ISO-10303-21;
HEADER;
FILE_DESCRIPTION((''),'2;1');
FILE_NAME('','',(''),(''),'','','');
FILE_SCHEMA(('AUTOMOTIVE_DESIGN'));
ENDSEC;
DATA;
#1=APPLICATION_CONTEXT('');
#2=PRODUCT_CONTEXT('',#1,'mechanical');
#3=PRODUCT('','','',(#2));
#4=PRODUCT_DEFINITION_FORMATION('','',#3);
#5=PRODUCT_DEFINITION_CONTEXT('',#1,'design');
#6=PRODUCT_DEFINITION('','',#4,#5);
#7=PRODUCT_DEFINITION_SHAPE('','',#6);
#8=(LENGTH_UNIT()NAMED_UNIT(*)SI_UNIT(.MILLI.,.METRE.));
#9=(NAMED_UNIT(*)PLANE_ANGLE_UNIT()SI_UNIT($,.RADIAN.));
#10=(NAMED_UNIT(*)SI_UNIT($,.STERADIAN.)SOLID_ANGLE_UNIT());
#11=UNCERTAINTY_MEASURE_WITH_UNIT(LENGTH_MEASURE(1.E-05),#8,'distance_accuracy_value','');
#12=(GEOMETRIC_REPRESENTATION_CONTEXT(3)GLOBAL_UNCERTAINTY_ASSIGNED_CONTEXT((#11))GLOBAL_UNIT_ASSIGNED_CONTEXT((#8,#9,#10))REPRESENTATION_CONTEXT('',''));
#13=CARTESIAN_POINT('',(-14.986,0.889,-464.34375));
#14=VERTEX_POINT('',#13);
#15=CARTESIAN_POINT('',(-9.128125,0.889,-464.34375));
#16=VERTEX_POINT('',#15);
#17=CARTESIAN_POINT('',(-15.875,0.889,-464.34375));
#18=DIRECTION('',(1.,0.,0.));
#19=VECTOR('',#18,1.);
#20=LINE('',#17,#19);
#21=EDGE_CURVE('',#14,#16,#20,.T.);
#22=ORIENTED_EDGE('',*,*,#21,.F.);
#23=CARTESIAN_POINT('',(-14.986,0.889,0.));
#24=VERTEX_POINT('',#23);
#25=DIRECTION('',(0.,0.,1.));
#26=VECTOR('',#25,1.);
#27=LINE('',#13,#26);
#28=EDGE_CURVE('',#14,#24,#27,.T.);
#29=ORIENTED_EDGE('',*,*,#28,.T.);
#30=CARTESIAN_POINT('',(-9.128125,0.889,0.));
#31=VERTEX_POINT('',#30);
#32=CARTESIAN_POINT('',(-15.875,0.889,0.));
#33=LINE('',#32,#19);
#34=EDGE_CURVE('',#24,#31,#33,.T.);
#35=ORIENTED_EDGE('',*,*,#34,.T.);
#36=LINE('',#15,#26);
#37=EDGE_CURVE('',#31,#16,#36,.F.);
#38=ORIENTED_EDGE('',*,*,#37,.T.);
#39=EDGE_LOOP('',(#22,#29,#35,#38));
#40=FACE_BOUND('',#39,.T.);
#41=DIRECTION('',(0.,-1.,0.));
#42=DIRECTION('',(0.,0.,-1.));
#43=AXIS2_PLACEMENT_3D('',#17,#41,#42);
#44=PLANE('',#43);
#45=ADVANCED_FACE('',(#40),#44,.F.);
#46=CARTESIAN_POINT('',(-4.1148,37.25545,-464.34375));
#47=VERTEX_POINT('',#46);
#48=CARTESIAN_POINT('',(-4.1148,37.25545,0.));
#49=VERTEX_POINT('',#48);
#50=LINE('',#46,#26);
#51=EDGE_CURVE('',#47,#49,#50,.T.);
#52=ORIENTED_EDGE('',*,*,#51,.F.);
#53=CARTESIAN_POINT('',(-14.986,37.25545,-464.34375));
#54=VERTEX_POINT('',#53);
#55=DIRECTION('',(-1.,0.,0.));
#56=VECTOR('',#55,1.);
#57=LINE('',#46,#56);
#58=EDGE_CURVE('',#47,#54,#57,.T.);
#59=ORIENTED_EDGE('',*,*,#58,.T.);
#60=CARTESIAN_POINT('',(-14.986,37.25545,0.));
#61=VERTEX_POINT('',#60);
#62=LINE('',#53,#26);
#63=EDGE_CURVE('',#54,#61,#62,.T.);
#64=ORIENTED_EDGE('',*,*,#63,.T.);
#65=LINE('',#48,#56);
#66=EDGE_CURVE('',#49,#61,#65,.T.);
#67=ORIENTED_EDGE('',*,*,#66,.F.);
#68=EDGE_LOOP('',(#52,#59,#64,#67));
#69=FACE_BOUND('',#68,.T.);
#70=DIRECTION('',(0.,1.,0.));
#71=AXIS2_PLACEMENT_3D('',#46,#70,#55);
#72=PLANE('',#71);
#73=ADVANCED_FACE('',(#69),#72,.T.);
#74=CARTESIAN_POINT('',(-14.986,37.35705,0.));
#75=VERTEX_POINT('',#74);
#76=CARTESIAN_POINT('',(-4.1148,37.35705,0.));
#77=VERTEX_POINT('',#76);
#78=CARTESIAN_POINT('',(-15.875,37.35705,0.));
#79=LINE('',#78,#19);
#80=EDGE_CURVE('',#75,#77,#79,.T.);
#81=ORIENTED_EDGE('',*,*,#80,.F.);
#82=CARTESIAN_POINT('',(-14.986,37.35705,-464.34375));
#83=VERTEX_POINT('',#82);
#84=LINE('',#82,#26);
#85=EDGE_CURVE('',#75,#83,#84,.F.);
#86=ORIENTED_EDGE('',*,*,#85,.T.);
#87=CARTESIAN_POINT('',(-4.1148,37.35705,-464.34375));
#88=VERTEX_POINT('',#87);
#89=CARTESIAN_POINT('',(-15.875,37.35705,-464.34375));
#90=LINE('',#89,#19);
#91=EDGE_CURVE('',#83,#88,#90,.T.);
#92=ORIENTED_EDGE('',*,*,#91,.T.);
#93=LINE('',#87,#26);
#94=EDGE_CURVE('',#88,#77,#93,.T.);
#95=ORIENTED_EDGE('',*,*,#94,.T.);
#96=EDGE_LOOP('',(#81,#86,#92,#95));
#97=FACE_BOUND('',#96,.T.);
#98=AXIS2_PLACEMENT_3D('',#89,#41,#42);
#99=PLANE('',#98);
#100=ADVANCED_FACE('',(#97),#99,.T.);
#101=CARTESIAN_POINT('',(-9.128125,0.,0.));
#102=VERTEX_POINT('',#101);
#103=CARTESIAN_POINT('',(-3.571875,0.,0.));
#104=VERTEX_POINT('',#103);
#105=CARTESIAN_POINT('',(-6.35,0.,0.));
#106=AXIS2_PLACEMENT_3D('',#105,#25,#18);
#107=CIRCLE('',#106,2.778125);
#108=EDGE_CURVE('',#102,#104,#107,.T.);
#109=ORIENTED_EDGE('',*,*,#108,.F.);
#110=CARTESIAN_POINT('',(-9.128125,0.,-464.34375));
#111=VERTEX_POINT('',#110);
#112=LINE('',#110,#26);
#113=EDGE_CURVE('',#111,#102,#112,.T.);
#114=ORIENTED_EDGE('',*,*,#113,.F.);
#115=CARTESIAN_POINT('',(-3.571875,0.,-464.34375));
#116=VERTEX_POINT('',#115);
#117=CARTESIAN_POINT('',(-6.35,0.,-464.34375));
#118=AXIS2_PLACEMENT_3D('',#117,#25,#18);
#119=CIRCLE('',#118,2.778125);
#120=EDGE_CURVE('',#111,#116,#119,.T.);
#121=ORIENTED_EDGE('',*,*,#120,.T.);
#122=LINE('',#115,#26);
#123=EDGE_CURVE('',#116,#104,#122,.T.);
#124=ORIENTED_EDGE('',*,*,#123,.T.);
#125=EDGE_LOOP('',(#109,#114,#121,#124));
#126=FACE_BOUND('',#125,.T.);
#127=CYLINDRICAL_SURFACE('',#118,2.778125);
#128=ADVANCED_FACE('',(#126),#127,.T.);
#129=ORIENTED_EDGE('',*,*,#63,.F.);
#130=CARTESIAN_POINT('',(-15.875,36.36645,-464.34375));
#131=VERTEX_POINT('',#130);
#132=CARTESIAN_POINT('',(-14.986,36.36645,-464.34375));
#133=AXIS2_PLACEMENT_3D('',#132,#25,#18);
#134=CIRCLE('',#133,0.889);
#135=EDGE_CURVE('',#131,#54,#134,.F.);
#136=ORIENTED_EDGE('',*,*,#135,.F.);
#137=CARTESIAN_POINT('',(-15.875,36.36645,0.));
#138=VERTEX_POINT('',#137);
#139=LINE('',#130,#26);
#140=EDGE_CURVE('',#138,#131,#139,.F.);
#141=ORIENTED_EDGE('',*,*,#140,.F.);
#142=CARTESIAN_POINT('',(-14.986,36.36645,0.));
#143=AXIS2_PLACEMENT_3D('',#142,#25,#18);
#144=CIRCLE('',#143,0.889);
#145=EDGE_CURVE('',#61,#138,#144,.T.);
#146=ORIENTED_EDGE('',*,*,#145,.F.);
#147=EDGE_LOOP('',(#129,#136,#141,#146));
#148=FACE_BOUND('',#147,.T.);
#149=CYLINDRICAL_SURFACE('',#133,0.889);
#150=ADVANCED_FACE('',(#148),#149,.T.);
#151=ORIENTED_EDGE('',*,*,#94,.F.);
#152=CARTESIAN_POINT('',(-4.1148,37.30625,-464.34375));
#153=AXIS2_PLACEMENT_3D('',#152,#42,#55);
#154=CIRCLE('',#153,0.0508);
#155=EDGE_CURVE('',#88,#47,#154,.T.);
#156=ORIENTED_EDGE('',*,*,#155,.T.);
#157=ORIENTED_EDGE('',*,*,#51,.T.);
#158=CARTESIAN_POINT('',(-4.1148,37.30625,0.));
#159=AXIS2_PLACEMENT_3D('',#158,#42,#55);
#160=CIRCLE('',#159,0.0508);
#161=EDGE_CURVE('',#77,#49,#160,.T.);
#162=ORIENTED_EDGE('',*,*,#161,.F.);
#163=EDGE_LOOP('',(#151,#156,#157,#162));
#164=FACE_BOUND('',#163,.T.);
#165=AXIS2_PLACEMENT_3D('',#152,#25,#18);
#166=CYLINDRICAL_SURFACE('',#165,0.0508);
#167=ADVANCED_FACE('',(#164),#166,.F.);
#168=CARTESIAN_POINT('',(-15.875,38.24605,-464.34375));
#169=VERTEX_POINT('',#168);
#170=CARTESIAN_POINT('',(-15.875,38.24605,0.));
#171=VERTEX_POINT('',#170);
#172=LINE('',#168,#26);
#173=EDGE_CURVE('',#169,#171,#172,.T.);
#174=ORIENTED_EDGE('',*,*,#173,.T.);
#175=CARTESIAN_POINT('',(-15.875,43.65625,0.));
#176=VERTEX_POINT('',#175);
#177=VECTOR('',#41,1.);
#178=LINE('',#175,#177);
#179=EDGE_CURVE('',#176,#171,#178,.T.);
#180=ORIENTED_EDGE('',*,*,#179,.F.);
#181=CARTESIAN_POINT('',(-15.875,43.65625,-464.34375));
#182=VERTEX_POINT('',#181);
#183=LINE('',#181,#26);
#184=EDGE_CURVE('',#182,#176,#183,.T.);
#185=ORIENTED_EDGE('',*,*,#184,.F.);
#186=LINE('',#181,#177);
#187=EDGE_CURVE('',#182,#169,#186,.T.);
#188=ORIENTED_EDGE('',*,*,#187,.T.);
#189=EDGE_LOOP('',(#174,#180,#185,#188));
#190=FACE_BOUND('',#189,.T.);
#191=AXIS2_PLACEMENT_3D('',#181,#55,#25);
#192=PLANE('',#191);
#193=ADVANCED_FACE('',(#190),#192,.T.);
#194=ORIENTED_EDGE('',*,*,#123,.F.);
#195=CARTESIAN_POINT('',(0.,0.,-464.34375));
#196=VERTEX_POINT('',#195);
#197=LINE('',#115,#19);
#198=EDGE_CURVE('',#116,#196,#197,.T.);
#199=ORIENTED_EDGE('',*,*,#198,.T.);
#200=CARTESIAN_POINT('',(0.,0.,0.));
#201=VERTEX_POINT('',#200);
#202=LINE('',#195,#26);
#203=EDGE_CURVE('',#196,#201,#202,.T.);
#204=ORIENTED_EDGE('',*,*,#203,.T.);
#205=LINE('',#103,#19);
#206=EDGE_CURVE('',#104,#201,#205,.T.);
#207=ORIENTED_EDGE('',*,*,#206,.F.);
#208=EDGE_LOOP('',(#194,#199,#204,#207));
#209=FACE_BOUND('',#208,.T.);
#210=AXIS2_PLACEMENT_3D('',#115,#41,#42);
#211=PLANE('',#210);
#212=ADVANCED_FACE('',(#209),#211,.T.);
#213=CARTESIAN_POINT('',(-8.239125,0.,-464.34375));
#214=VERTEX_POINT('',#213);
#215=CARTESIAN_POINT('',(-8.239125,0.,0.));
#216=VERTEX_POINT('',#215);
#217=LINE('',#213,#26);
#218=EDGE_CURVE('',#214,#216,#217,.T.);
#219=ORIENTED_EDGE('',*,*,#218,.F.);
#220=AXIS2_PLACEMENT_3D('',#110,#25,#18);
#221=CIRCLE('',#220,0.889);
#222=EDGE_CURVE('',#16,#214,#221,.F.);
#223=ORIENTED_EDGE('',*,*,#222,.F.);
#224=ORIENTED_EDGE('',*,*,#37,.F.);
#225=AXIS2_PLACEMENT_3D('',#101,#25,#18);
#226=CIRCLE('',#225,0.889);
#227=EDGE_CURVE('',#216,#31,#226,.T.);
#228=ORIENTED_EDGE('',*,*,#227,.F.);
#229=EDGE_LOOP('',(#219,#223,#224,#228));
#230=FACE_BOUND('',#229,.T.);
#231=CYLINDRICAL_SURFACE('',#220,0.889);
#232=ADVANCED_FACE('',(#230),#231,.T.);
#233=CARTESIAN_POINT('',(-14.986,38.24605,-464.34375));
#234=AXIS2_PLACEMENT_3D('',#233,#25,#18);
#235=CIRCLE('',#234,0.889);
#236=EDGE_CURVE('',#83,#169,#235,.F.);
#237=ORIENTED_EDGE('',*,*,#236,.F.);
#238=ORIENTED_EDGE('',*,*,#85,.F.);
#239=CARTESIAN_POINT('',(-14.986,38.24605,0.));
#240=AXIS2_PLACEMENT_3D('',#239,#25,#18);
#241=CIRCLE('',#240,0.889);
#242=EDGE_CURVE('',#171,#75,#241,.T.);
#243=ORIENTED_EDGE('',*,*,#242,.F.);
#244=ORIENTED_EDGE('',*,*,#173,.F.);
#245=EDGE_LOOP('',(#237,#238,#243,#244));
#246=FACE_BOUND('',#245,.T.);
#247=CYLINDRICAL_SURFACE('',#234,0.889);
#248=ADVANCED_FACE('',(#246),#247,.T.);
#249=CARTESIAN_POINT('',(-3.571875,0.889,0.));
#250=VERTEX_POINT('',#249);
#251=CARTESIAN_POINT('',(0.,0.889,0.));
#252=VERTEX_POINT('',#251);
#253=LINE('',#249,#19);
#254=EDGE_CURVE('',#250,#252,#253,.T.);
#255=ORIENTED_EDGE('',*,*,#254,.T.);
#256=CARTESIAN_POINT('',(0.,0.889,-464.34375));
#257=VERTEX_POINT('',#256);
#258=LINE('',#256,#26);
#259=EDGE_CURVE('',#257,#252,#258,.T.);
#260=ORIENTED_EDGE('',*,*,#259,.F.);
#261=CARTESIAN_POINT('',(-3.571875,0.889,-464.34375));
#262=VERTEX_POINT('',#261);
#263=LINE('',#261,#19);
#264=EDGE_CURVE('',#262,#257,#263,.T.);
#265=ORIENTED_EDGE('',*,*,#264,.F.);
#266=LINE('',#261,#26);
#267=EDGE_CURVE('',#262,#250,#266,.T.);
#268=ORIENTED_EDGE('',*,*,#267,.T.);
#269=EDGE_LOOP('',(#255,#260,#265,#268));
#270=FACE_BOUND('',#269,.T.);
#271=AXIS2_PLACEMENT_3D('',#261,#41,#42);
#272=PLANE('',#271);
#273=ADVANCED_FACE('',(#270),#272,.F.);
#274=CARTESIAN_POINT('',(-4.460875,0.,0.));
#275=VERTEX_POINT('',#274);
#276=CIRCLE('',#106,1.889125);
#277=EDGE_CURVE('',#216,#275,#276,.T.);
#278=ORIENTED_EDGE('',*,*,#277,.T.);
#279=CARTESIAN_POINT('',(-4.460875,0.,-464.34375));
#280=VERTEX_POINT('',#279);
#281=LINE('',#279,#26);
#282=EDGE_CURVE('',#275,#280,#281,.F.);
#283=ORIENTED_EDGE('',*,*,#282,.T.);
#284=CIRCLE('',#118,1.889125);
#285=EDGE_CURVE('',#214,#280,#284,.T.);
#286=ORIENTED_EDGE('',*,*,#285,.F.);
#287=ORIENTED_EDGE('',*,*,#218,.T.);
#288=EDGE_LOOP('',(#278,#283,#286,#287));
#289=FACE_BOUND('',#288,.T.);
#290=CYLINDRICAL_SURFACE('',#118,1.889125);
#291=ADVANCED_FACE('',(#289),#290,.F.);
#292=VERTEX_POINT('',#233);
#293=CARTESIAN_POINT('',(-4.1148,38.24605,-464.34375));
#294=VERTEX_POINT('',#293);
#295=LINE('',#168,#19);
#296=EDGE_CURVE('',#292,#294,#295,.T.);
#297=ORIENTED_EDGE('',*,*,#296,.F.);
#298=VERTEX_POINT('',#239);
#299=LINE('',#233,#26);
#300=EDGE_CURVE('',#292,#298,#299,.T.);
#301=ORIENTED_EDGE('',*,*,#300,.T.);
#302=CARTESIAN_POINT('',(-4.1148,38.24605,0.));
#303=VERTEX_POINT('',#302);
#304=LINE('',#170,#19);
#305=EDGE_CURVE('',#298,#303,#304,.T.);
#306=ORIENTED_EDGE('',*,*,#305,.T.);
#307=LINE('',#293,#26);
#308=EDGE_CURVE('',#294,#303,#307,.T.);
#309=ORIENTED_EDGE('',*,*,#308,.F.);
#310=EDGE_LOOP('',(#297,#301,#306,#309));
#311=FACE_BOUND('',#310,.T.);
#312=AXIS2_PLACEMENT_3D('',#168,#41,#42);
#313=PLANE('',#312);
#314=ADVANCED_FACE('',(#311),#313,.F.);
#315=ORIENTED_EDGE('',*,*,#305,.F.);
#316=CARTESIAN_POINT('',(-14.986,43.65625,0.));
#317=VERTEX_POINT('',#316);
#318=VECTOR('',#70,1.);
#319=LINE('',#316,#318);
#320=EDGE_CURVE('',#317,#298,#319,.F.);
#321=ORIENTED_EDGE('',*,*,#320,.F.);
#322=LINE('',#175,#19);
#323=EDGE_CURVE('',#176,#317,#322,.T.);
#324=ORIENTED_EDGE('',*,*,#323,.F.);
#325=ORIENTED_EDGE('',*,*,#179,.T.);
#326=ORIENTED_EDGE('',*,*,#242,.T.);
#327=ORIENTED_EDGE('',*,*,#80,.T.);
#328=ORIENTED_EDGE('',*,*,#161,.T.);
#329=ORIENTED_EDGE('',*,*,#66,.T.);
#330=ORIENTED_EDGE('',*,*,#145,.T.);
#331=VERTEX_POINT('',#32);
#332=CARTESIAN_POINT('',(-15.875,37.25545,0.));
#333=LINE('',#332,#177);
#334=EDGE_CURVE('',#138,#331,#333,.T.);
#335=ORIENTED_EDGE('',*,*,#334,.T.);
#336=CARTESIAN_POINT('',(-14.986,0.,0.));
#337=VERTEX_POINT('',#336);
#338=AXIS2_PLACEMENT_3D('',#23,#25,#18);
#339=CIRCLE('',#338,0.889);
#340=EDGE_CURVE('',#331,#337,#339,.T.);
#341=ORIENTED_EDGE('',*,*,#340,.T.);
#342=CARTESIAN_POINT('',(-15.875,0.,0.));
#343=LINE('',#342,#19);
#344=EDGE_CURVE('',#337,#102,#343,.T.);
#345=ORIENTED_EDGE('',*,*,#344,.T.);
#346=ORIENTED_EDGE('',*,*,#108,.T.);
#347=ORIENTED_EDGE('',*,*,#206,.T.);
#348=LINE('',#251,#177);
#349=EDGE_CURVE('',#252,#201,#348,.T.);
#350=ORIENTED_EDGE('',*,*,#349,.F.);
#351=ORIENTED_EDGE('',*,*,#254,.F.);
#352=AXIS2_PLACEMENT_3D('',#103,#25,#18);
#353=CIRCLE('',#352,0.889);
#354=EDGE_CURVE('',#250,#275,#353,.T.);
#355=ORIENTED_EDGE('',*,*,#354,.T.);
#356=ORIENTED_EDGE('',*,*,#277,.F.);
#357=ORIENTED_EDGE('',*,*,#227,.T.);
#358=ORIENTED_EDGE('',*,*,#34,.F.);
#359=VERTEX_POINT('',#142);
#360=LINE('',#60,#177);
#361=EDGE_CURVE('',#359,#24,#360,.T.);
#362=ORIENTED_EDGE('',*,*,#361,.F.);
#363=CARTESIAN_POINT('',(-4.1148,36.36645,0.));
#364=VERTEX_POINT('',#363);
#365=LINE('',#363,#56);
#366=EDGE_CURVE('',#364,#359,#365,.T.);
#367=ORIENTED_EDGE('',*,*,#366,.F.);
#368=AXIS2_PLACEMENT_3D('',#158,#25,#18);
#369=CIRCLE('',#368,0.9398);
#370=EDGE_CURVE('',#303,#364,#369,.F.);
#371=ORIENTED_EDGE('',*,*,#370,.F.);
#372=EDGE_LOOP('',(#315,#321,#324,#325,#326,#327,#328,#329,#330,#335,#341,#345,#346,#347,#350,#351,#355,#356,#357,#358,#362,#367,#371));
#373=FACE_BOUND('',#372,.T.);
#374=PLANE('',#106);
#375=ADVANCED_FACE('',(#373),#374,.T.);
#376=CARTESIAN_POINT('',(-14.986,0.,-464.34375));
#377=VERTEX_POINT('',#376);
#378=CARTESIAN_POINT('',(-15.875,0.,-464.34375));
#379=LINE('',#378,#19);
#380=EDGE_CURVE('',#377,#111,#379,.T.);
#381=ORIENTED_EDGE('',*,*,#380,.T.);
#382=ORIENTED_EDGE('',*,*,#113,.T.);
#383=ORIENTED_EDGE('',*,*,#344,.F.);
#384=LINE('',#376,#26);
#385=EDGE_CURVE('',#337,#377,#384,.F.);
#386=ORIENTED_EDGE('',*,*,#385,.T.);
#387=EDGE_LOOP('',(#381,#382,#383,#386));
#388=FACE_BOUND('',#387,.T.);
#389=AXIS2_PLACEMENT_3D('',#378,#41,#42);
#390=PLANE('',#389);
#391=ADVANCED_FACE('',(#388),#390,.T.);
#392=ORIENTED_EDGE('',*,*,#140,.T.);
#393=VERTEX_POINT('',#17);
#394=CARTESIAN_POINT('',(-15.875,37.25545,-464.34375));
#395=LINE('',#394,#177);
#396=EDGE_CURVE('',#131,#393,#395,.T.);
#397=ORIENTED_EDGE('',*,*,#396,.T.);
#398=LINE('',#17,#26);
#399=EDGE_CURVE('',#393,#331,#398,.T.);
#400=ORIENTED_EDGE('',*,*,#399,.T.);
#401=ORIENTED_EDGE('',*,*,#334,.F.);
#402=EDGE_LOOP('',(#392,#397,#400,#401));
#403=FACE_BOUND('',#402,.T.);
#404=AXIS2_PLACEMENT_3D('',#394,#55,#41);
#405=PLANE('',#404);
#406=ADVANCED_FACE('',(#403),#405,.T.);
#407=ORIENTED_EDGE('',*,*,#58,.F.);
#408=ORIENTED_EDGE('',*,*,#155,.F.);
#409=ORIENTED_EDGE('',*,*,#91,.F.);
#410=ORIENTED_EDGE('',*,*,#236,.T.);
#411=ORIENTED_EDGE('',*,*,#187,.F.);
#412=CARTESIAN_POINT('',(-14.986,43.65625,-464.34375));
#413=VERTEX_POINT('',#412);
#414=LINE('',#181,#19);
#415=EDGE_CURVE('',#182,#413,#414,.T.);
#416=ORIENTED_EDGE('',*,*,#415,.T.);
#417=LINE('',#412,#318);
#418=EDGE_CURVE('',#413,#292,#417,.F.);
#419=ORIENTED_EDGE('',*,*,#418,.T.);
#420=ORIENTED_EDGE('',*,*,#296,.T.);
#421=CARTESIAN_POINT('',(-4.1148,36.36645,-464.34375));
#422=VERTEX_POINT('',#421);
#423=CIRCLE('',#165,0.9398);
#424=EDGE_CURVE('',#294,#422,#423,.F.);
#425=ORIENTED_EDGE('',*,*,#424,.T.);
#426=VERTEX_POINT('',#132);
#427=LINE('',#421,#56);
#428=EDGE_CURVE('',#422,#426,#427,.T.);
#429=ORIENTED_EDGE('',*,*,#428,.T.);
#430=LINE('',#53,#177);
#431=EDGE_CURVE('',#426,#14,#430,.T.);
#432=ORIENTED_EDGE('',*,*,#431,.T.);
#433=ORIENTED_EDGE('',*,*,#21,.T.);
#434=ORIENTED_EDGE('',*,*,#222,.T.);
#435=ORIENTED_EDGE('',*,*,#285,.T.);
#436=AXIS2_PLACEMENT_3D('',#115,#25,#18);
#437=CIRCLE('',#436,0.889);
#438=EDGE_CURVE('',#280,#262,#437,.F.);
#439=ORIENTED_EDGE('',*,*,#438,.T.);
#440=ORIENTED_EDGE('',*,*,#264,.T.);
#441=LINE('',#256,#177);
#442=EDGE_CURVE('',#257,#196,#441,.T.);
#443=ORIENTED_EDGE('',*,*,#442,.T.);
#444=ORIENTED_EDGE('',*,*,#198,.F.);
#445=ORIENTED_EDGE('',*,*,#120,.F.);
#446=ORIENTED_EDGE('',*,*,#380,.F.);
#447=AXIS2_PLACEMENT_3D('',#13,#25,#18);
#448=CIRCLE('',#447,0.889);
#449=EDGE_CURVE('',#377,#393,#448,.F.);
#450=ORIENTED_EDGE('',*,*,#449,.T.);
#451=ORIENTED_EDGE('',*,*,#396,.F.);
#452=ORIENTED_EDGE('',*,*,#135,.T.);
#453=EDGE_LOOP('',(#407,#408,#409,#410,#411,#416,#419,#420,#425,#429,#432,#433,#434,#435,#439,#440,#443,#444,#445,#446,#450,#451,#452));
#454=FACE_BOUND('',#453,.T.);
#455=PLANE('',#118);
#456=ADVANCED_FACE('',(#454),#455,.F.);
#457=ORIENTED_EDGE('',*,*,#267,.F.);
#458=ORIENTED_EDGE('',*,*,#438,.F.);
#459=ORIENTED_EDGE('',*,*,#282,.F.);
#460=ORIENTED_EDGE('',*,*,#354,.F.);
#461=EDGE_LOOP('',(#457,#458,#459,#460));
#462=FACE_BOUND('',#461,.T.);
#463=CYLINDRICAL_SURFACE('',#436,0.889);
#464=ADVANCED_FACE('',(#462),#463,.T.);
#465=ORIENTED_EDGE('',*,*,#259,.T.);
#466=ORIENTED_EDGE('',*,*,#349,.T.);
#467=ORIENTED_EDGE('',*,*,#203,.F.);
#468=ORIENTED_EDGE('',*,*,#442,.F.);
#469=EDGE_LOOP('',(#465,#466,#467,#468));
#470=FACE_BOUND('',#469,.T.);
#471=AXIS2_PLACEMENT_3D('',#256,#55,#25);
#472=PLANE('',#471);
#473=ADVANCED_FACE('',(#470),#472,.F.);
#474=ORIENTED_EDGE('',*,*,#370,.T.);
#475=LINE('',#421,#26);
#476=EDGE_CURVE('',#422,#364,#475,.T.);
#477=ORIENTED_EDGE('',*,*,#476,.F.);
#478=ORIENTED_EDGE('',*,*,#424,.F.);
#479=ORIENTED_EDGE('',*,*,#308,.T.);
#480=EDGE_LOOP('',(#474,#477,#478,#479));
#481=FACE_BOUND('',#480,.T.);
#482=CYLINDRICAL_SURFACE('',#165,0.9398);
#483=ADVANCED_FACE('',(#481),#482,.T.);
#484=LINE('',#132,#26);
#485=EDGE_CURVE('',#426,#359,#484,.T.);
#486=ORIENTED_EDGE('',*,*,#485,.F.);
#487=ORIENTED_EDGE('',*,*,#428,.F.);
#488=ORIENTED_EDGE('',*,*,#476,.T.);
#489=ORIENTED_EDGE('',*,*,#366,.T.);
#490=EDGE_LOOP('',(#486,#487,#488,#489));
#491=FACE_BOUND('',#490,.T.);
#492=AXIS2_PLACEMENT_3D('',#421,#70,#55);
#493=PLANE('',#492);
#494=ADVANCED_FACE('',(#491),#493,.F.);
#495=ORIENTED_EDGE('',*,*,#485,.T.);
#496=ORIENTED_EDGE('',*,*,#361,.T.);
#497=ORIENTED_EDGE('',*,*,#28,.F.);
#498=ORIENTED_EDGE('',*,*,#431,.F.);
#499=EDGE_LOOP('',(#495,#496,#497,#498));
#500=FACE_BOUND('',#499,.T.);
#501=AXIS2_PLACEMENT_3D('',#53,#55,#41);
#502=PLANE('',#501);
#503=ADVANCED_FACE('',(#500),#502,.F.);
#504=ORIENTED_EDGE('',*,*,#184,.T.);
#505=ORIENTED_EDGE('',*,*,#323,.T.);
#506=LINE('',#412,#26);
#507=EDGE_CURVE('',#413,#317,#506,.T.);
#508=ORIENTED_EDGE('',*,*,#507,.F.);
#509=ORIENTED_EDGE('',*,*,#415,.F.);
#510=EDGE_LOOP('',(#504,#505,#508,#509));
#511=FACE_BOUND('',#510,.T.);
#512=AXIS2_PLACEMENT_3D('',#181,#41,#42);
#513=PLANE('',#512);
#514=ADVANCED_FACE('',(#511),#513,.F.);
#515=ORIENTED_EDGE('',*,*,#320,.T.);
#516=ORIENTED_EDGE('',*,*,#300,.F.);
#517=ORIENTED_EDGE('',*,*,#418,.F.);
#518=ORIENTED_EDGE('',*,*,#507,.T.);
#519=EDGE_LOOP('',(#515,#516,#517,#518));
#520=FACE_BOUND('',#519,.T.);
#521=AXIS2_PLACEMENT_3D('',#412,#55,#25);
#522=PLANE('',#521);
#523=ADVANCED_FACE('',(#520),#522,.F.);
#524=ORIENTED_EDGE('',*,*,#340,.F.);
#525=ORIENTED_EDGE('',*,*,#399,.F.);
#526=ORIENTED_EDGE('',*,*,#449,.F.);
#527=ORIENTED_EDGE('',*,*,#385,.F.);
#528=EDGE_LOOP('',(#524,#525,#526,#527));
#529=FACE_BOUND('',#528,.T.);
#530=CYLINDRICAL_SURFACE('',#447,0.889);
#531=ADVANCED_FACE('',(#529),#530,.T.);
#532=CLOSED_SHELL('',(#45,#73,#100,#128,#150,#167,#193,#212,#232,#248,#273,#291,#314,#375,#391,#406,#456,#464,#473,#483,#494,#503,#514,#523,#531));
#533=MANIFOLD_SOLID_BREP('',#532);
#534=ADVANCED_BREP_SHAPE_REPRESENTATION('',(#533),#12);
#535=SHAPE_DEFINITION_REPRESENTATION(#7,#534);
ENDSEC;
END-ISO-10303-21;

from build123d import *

# Parameters (mm, degrees)
EXTRUDE_THIN1_DEPTH = 464.34375
FILLET1_R           = 0.889


with BuildPart() as part:
    # Sketch1 → Extrude-Thin1 (new body)
    with BuildSketch(Plane.XY):
        with BuildLine():
            Line((-15.875, 43.65625), (-15.875, 37.35705))
            Line((-15.875, 37.35705), (-4.1148, 37.35705))
            ThreePointArc((-4.1148, 37.35705), (-4.064, 37.30625), (-4.1148, 37.25545))
            Line((-4.1148, 37.25545), (-15.875, 37.25545))
            Line((-15.875, 37.25545), (-15.875, 0))
            Line((-15.875, 0), (-9.128125, 0))
            ThreePointArc((-9.128125, 0), (-6.35, -2.778125), (-3.571875, 0))
            Line((-3.571875, 0), (0, 0))
            Line((0, 0), (0, 0.889))
            Line((0, 0.889), (-4.683125, 0.889))
            ThreePointArc((-4.683125, 0.889), (-6.35, -1.889125), (-8.016875, 0.889))
            Line((-8.016875, 0.889), (-14.986, 0.889))
            Line((-14.986, 0.889), (-14.986, 36.36645))
            Line((-14.986, 36.36645), (-4.1148, 36.36645))
            ThreePointArc((-4.1148, 36.36645), (-3.175, 37.30625), (-4.1148, 38.24605))
            Line((-4.1148, 38.24605), (-14.986, 38.24605))
            Line((-14.986, 38.24605), (-14.986, 43.65625))
            Line((-14.986, 43.65625), (-15.875, 43.65625))
        make_face()
    extrude(amount=-EXTRUDE_THIN1_DEPTH)

    # Fillet1
    fillet1_edges = [part.edges().sort_by_distance(p)[0] for p in [
        (-15.875, 0, -232.171875),
        (-15.875, 37.25545, -232.171875),
        (-15.875, 37.35705, -232.171875),
        (-8.016875, 0.889, -232.171875),
        (-4.683125, 0.889, -232.171875),
    ]]
    fillet(fillet1_edges, radius=FILLET1_R)


solid = part.part
